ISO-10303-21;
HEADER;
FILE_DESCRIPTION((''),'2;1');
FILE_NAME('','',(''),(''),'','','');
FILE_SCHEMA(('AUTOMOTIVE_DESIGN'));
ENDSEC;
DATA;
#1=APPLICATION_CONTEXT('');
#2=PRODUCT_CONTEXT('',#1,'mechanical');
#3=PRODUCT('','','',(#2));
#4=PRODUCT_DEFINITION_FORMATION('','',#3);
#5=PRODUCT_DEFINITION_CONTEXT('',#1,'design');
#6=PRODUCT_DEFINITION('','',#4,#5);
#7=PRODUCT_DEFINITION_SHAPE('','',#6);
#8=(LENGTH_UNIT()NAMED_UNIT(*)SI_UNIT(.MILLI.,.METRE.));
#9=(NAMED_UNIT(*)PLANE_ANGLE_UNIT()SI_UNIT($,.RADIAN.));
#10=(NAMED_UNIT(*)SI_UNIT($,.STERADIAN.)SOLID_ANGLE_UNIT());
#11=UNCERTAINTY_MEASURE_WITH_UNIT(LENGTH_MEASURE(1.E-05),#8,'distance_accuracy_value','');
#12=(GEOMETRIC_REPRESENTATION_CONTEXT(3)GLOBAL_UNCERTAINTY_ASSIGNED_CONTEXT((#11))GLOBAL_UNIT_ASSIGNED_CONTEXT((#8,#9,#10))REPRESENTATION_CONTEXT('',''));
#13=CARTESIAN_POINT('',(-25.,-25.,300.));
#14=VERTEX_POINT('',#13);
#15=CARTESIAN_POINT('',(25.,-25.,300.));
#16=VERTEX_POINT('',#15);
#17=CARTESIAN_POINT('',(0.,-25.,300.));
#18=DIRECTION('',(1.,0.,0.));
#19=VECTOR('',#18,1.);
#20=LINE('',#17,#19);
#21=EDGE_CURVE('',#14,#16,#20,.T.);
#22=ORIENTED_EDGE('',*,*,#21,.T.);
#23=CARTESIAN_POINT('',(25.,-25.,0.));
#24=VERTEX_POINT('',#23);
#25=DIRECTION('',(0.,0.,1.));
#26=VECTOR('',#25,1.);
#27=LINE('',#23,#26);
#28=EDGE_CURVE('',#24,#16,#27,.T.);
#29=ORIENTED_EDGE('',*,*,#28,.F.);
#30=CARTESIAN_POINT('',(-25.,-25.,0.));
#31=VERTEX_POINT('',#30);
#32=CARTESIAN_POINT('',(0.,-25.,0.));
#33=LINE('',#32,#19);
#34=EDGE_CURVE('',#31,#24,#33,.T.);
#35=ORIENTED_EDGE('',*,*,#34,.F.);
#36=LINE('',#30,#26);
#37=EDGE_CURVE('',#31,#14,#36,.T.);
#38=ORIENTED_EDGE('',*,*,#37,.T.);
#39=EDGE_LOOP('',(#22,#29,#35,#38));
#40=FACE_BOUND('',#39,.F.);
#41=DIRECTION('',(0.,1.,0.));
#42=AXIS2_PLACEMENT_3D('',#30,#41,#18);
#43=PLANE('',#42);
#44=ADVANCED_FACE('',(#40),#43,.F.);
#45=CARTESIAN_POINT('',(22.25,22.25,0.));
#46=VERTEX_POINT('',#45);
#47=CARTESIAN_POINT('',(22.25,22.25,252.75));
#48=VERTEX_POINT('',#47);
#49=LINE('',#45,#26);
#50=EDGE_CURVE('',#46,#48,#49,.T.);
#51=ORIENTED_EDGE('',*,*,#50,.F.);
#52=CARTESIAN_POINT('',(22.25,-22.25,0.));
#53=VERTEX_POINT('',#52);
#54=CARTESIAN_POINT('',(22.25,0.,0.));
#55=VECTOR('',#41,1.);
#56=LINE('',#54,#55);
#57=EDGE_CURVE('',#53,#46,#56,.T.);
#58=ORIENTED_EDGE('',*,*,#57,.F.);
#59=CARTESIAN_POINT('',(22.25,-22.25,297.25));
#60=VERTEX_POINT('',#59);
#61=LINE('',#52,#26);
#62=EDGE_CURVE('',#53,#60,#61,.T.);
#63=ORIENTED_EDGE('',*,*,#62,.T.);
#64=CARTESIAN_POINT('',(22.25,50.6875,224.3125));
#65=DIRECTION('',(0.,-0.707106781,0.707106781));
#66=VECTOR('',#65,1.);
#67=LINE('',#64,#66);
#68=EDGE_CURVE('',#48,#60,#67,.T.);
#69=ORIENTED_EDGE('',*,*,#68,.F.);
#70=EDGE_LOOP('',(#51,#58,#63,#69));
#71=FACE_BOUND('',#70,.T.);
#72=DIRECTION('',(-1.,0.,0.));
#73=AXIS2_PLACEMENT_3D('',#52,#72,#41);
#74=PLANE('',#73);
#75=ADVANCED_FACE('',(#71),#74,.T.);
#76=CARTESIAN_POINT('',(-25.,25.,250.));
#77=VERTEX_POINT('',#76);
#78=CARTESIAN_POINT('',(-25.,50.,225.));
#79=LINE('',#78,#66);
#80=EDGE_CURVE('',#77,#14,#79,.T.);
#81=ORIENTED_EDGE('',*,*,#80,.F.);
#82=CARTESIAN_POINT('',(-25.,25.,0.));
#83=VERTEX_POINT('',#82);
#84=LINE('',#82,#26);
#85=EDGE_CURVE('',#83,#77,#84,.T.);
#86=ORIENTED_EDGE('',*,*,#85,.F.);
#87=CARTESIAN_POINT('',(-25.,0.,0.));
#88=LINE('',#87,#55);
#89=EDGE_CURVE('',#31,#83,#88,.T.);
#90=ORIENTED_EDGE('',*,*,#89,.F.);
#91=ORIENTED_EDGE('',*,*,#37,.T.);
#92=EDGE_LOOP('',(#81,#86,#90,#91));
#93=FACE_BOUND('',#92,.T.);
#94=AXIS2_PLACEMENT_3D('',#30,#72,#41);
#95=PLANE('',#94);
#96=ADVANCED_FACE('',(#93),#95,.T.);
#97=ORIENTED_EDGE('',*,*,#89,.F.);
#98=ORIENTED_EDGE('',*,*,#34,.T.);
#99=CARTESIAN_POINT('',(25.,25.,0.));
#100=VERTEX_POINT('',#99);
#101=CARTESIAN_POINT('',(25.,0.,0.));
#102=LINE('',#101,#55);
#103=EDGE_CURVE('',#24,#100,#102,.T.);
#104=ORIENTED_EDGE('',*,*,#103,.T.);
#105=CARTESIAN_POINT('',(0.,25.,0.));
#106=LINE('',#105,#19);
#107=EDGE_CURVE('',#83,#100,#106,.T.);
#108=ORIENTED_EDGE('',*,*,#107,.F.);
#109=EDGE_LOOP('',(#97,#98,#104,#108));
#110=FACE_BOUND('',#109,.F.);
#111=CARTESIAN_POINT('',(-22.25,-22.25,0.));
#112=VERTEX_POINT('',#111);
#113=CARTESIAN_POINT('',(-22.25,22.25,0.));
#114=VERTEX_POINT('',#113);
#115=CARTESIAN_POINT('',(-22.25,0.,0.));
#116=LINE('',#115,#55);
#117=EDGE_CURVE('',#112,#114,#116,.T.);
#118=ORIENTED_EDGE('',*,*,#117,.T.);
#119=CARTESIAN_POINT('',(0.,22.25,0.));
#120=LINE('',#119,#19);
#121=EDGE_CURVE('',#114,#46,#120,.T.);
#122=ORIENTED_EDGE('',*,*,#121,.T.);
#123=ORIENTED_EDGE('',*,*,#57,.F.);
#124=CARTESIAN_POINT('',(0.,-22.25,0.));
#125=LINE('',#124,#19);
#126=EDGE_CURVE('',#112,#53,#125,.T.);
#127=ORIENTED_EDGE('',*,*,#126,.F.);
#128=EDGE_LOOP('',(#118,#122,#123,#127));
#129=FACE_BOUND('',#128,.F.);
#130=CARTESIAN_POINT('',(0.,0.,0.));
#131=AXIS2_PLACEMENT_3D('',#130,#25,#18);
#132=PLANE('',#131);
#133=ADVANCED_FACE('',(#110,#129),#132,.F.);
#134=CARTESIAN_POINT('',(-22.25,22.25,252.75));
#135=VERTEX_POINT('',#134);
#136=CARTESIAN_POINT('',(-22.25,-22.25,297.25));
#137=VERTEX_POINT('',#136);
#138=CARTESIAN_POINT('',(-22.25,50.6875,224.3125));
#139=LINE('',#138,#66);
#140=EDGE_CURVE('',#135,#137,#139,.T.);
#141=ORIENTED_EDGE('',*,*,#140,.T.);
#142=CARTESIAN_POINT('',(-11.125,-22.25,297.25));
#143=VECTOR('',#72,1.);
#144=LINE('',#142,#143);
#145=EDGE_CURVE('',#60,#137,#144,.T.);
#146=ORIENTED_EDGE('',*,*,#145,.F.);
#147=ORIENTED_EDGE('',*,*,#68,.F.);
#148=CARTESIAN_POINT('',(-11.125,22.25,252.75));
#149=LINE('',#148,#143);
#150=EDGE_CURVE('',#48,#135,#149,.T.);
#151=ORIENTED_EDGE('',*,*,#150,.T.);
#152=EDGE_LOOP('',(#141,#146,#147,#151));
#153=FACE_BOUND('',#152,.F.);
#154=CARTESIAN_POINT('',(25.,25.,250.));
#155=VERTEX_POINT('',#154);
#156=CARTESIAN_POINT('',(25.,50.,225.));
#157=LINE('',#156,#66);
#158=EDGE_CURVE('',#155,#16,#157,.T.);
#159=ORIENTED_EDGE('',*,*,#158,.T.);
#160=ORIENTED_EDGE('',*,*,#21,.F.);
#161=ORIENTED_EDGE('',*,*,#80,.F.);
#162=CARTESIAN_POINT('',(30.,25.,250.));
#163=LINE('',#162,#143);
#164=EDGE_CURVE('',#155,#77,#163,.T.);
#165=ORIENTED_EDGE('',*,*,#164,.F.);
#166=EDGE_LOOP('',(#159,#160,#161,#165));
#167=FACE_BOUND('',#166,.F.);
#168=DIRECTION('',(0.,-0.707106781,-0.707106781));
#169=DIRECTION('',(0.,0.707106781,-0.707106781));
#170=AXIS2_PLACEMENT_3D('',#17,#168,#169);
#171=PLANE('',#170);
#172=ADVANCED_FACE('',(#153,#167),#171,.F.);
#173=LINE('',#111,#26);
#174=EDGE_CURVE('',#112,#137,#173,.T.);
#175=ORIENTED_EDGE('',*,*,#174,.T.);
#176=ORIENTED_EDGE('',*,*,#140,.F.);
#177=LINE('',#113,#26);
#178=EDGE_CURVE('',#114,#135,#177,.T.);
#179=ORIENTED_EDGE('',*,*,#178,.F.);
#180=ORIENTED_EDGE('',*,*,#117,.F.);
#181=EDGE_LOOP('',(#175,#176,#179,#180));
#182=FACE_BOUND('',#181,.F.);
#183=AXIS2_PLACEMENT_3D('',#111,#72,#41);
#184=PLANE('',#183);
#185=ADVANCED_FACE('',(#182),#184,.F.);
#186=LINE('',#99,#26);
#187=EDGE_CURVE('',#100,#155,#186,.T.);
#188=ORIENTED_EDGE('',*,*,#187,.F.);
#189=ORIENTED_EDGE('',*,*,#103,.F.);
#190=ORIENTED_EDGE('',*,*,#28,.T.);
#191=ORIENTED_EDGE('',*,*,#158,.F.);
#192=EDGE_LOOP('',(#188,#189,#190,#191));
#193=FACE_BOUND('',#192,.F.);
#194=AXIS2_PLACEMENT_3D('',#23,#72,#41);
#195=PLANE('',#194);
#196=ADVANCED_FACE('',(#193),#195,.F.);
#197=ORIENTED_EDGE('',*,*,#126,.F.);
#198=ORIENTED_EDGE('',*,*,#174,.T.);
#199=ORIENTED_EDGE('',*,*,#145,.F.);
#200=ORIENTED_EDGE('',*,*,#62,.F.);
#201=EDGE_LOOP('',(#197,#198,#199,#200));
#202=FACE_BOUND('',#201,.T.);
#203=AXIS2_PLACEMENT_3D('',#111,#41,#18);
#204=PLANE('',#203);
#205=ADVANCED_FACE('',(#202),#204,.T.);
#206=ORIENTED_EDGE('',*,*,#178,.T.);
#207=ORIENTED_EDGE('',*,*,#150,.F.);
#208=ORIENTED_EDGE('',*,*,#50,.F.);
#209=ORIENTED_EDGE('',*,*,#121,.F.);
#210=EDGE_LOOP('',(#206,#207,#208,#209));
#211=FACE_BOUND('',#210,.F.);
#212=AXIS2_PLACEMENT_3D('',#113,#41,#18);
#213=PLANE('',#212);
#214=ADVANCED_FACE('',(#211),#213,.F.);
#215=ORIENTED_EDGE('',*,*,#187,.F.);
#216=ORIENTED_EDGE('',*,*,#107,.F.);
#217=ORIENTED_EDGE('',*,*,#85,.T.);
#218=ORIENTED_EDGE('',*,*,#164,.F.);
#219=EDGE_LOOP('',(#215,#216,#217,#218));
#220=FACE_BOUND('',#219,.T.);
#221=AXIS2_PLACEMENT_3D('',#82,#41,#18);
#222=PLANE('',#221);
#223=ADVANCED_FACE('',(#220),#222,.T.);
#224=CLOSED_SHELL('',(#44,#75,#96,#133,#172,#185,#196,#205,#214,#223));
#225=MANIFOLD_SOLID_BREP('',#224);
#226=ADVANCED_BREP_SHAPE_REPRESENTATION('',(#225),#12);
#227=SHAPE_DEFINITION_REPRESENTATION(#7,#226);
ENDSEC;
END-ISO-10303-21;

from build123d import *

# Parameters (mm, degrees)
F0_W     = 50
F0_H     = 50
F0_W_2   = 44.5
F0_H_2   = 44.5
F1_DEPTH = 300
F3_DEPTH = 30


with BuildPart() as f1:
    # F0 (on Top) → F1 (new body)
    with BuildSketch(Plane.XY):
        Rectangle(F0_W, F0_H)
        Rectangle(F0_W_2, F0_H_2, mode=Mode.SUBTRACT)
    extrude(amount=F1_DEPTH)

    # F2 (on Right) → F3 (cut, symmetric)
    with BuildSketch(Plane.YZ):
        Polygon((25, 300), (-25, 300), (25, 250), align=None)
    extrude(amount=F3_DEPTH, both=True, mode=Mode.SUBTRACT)


solid = f1.part
